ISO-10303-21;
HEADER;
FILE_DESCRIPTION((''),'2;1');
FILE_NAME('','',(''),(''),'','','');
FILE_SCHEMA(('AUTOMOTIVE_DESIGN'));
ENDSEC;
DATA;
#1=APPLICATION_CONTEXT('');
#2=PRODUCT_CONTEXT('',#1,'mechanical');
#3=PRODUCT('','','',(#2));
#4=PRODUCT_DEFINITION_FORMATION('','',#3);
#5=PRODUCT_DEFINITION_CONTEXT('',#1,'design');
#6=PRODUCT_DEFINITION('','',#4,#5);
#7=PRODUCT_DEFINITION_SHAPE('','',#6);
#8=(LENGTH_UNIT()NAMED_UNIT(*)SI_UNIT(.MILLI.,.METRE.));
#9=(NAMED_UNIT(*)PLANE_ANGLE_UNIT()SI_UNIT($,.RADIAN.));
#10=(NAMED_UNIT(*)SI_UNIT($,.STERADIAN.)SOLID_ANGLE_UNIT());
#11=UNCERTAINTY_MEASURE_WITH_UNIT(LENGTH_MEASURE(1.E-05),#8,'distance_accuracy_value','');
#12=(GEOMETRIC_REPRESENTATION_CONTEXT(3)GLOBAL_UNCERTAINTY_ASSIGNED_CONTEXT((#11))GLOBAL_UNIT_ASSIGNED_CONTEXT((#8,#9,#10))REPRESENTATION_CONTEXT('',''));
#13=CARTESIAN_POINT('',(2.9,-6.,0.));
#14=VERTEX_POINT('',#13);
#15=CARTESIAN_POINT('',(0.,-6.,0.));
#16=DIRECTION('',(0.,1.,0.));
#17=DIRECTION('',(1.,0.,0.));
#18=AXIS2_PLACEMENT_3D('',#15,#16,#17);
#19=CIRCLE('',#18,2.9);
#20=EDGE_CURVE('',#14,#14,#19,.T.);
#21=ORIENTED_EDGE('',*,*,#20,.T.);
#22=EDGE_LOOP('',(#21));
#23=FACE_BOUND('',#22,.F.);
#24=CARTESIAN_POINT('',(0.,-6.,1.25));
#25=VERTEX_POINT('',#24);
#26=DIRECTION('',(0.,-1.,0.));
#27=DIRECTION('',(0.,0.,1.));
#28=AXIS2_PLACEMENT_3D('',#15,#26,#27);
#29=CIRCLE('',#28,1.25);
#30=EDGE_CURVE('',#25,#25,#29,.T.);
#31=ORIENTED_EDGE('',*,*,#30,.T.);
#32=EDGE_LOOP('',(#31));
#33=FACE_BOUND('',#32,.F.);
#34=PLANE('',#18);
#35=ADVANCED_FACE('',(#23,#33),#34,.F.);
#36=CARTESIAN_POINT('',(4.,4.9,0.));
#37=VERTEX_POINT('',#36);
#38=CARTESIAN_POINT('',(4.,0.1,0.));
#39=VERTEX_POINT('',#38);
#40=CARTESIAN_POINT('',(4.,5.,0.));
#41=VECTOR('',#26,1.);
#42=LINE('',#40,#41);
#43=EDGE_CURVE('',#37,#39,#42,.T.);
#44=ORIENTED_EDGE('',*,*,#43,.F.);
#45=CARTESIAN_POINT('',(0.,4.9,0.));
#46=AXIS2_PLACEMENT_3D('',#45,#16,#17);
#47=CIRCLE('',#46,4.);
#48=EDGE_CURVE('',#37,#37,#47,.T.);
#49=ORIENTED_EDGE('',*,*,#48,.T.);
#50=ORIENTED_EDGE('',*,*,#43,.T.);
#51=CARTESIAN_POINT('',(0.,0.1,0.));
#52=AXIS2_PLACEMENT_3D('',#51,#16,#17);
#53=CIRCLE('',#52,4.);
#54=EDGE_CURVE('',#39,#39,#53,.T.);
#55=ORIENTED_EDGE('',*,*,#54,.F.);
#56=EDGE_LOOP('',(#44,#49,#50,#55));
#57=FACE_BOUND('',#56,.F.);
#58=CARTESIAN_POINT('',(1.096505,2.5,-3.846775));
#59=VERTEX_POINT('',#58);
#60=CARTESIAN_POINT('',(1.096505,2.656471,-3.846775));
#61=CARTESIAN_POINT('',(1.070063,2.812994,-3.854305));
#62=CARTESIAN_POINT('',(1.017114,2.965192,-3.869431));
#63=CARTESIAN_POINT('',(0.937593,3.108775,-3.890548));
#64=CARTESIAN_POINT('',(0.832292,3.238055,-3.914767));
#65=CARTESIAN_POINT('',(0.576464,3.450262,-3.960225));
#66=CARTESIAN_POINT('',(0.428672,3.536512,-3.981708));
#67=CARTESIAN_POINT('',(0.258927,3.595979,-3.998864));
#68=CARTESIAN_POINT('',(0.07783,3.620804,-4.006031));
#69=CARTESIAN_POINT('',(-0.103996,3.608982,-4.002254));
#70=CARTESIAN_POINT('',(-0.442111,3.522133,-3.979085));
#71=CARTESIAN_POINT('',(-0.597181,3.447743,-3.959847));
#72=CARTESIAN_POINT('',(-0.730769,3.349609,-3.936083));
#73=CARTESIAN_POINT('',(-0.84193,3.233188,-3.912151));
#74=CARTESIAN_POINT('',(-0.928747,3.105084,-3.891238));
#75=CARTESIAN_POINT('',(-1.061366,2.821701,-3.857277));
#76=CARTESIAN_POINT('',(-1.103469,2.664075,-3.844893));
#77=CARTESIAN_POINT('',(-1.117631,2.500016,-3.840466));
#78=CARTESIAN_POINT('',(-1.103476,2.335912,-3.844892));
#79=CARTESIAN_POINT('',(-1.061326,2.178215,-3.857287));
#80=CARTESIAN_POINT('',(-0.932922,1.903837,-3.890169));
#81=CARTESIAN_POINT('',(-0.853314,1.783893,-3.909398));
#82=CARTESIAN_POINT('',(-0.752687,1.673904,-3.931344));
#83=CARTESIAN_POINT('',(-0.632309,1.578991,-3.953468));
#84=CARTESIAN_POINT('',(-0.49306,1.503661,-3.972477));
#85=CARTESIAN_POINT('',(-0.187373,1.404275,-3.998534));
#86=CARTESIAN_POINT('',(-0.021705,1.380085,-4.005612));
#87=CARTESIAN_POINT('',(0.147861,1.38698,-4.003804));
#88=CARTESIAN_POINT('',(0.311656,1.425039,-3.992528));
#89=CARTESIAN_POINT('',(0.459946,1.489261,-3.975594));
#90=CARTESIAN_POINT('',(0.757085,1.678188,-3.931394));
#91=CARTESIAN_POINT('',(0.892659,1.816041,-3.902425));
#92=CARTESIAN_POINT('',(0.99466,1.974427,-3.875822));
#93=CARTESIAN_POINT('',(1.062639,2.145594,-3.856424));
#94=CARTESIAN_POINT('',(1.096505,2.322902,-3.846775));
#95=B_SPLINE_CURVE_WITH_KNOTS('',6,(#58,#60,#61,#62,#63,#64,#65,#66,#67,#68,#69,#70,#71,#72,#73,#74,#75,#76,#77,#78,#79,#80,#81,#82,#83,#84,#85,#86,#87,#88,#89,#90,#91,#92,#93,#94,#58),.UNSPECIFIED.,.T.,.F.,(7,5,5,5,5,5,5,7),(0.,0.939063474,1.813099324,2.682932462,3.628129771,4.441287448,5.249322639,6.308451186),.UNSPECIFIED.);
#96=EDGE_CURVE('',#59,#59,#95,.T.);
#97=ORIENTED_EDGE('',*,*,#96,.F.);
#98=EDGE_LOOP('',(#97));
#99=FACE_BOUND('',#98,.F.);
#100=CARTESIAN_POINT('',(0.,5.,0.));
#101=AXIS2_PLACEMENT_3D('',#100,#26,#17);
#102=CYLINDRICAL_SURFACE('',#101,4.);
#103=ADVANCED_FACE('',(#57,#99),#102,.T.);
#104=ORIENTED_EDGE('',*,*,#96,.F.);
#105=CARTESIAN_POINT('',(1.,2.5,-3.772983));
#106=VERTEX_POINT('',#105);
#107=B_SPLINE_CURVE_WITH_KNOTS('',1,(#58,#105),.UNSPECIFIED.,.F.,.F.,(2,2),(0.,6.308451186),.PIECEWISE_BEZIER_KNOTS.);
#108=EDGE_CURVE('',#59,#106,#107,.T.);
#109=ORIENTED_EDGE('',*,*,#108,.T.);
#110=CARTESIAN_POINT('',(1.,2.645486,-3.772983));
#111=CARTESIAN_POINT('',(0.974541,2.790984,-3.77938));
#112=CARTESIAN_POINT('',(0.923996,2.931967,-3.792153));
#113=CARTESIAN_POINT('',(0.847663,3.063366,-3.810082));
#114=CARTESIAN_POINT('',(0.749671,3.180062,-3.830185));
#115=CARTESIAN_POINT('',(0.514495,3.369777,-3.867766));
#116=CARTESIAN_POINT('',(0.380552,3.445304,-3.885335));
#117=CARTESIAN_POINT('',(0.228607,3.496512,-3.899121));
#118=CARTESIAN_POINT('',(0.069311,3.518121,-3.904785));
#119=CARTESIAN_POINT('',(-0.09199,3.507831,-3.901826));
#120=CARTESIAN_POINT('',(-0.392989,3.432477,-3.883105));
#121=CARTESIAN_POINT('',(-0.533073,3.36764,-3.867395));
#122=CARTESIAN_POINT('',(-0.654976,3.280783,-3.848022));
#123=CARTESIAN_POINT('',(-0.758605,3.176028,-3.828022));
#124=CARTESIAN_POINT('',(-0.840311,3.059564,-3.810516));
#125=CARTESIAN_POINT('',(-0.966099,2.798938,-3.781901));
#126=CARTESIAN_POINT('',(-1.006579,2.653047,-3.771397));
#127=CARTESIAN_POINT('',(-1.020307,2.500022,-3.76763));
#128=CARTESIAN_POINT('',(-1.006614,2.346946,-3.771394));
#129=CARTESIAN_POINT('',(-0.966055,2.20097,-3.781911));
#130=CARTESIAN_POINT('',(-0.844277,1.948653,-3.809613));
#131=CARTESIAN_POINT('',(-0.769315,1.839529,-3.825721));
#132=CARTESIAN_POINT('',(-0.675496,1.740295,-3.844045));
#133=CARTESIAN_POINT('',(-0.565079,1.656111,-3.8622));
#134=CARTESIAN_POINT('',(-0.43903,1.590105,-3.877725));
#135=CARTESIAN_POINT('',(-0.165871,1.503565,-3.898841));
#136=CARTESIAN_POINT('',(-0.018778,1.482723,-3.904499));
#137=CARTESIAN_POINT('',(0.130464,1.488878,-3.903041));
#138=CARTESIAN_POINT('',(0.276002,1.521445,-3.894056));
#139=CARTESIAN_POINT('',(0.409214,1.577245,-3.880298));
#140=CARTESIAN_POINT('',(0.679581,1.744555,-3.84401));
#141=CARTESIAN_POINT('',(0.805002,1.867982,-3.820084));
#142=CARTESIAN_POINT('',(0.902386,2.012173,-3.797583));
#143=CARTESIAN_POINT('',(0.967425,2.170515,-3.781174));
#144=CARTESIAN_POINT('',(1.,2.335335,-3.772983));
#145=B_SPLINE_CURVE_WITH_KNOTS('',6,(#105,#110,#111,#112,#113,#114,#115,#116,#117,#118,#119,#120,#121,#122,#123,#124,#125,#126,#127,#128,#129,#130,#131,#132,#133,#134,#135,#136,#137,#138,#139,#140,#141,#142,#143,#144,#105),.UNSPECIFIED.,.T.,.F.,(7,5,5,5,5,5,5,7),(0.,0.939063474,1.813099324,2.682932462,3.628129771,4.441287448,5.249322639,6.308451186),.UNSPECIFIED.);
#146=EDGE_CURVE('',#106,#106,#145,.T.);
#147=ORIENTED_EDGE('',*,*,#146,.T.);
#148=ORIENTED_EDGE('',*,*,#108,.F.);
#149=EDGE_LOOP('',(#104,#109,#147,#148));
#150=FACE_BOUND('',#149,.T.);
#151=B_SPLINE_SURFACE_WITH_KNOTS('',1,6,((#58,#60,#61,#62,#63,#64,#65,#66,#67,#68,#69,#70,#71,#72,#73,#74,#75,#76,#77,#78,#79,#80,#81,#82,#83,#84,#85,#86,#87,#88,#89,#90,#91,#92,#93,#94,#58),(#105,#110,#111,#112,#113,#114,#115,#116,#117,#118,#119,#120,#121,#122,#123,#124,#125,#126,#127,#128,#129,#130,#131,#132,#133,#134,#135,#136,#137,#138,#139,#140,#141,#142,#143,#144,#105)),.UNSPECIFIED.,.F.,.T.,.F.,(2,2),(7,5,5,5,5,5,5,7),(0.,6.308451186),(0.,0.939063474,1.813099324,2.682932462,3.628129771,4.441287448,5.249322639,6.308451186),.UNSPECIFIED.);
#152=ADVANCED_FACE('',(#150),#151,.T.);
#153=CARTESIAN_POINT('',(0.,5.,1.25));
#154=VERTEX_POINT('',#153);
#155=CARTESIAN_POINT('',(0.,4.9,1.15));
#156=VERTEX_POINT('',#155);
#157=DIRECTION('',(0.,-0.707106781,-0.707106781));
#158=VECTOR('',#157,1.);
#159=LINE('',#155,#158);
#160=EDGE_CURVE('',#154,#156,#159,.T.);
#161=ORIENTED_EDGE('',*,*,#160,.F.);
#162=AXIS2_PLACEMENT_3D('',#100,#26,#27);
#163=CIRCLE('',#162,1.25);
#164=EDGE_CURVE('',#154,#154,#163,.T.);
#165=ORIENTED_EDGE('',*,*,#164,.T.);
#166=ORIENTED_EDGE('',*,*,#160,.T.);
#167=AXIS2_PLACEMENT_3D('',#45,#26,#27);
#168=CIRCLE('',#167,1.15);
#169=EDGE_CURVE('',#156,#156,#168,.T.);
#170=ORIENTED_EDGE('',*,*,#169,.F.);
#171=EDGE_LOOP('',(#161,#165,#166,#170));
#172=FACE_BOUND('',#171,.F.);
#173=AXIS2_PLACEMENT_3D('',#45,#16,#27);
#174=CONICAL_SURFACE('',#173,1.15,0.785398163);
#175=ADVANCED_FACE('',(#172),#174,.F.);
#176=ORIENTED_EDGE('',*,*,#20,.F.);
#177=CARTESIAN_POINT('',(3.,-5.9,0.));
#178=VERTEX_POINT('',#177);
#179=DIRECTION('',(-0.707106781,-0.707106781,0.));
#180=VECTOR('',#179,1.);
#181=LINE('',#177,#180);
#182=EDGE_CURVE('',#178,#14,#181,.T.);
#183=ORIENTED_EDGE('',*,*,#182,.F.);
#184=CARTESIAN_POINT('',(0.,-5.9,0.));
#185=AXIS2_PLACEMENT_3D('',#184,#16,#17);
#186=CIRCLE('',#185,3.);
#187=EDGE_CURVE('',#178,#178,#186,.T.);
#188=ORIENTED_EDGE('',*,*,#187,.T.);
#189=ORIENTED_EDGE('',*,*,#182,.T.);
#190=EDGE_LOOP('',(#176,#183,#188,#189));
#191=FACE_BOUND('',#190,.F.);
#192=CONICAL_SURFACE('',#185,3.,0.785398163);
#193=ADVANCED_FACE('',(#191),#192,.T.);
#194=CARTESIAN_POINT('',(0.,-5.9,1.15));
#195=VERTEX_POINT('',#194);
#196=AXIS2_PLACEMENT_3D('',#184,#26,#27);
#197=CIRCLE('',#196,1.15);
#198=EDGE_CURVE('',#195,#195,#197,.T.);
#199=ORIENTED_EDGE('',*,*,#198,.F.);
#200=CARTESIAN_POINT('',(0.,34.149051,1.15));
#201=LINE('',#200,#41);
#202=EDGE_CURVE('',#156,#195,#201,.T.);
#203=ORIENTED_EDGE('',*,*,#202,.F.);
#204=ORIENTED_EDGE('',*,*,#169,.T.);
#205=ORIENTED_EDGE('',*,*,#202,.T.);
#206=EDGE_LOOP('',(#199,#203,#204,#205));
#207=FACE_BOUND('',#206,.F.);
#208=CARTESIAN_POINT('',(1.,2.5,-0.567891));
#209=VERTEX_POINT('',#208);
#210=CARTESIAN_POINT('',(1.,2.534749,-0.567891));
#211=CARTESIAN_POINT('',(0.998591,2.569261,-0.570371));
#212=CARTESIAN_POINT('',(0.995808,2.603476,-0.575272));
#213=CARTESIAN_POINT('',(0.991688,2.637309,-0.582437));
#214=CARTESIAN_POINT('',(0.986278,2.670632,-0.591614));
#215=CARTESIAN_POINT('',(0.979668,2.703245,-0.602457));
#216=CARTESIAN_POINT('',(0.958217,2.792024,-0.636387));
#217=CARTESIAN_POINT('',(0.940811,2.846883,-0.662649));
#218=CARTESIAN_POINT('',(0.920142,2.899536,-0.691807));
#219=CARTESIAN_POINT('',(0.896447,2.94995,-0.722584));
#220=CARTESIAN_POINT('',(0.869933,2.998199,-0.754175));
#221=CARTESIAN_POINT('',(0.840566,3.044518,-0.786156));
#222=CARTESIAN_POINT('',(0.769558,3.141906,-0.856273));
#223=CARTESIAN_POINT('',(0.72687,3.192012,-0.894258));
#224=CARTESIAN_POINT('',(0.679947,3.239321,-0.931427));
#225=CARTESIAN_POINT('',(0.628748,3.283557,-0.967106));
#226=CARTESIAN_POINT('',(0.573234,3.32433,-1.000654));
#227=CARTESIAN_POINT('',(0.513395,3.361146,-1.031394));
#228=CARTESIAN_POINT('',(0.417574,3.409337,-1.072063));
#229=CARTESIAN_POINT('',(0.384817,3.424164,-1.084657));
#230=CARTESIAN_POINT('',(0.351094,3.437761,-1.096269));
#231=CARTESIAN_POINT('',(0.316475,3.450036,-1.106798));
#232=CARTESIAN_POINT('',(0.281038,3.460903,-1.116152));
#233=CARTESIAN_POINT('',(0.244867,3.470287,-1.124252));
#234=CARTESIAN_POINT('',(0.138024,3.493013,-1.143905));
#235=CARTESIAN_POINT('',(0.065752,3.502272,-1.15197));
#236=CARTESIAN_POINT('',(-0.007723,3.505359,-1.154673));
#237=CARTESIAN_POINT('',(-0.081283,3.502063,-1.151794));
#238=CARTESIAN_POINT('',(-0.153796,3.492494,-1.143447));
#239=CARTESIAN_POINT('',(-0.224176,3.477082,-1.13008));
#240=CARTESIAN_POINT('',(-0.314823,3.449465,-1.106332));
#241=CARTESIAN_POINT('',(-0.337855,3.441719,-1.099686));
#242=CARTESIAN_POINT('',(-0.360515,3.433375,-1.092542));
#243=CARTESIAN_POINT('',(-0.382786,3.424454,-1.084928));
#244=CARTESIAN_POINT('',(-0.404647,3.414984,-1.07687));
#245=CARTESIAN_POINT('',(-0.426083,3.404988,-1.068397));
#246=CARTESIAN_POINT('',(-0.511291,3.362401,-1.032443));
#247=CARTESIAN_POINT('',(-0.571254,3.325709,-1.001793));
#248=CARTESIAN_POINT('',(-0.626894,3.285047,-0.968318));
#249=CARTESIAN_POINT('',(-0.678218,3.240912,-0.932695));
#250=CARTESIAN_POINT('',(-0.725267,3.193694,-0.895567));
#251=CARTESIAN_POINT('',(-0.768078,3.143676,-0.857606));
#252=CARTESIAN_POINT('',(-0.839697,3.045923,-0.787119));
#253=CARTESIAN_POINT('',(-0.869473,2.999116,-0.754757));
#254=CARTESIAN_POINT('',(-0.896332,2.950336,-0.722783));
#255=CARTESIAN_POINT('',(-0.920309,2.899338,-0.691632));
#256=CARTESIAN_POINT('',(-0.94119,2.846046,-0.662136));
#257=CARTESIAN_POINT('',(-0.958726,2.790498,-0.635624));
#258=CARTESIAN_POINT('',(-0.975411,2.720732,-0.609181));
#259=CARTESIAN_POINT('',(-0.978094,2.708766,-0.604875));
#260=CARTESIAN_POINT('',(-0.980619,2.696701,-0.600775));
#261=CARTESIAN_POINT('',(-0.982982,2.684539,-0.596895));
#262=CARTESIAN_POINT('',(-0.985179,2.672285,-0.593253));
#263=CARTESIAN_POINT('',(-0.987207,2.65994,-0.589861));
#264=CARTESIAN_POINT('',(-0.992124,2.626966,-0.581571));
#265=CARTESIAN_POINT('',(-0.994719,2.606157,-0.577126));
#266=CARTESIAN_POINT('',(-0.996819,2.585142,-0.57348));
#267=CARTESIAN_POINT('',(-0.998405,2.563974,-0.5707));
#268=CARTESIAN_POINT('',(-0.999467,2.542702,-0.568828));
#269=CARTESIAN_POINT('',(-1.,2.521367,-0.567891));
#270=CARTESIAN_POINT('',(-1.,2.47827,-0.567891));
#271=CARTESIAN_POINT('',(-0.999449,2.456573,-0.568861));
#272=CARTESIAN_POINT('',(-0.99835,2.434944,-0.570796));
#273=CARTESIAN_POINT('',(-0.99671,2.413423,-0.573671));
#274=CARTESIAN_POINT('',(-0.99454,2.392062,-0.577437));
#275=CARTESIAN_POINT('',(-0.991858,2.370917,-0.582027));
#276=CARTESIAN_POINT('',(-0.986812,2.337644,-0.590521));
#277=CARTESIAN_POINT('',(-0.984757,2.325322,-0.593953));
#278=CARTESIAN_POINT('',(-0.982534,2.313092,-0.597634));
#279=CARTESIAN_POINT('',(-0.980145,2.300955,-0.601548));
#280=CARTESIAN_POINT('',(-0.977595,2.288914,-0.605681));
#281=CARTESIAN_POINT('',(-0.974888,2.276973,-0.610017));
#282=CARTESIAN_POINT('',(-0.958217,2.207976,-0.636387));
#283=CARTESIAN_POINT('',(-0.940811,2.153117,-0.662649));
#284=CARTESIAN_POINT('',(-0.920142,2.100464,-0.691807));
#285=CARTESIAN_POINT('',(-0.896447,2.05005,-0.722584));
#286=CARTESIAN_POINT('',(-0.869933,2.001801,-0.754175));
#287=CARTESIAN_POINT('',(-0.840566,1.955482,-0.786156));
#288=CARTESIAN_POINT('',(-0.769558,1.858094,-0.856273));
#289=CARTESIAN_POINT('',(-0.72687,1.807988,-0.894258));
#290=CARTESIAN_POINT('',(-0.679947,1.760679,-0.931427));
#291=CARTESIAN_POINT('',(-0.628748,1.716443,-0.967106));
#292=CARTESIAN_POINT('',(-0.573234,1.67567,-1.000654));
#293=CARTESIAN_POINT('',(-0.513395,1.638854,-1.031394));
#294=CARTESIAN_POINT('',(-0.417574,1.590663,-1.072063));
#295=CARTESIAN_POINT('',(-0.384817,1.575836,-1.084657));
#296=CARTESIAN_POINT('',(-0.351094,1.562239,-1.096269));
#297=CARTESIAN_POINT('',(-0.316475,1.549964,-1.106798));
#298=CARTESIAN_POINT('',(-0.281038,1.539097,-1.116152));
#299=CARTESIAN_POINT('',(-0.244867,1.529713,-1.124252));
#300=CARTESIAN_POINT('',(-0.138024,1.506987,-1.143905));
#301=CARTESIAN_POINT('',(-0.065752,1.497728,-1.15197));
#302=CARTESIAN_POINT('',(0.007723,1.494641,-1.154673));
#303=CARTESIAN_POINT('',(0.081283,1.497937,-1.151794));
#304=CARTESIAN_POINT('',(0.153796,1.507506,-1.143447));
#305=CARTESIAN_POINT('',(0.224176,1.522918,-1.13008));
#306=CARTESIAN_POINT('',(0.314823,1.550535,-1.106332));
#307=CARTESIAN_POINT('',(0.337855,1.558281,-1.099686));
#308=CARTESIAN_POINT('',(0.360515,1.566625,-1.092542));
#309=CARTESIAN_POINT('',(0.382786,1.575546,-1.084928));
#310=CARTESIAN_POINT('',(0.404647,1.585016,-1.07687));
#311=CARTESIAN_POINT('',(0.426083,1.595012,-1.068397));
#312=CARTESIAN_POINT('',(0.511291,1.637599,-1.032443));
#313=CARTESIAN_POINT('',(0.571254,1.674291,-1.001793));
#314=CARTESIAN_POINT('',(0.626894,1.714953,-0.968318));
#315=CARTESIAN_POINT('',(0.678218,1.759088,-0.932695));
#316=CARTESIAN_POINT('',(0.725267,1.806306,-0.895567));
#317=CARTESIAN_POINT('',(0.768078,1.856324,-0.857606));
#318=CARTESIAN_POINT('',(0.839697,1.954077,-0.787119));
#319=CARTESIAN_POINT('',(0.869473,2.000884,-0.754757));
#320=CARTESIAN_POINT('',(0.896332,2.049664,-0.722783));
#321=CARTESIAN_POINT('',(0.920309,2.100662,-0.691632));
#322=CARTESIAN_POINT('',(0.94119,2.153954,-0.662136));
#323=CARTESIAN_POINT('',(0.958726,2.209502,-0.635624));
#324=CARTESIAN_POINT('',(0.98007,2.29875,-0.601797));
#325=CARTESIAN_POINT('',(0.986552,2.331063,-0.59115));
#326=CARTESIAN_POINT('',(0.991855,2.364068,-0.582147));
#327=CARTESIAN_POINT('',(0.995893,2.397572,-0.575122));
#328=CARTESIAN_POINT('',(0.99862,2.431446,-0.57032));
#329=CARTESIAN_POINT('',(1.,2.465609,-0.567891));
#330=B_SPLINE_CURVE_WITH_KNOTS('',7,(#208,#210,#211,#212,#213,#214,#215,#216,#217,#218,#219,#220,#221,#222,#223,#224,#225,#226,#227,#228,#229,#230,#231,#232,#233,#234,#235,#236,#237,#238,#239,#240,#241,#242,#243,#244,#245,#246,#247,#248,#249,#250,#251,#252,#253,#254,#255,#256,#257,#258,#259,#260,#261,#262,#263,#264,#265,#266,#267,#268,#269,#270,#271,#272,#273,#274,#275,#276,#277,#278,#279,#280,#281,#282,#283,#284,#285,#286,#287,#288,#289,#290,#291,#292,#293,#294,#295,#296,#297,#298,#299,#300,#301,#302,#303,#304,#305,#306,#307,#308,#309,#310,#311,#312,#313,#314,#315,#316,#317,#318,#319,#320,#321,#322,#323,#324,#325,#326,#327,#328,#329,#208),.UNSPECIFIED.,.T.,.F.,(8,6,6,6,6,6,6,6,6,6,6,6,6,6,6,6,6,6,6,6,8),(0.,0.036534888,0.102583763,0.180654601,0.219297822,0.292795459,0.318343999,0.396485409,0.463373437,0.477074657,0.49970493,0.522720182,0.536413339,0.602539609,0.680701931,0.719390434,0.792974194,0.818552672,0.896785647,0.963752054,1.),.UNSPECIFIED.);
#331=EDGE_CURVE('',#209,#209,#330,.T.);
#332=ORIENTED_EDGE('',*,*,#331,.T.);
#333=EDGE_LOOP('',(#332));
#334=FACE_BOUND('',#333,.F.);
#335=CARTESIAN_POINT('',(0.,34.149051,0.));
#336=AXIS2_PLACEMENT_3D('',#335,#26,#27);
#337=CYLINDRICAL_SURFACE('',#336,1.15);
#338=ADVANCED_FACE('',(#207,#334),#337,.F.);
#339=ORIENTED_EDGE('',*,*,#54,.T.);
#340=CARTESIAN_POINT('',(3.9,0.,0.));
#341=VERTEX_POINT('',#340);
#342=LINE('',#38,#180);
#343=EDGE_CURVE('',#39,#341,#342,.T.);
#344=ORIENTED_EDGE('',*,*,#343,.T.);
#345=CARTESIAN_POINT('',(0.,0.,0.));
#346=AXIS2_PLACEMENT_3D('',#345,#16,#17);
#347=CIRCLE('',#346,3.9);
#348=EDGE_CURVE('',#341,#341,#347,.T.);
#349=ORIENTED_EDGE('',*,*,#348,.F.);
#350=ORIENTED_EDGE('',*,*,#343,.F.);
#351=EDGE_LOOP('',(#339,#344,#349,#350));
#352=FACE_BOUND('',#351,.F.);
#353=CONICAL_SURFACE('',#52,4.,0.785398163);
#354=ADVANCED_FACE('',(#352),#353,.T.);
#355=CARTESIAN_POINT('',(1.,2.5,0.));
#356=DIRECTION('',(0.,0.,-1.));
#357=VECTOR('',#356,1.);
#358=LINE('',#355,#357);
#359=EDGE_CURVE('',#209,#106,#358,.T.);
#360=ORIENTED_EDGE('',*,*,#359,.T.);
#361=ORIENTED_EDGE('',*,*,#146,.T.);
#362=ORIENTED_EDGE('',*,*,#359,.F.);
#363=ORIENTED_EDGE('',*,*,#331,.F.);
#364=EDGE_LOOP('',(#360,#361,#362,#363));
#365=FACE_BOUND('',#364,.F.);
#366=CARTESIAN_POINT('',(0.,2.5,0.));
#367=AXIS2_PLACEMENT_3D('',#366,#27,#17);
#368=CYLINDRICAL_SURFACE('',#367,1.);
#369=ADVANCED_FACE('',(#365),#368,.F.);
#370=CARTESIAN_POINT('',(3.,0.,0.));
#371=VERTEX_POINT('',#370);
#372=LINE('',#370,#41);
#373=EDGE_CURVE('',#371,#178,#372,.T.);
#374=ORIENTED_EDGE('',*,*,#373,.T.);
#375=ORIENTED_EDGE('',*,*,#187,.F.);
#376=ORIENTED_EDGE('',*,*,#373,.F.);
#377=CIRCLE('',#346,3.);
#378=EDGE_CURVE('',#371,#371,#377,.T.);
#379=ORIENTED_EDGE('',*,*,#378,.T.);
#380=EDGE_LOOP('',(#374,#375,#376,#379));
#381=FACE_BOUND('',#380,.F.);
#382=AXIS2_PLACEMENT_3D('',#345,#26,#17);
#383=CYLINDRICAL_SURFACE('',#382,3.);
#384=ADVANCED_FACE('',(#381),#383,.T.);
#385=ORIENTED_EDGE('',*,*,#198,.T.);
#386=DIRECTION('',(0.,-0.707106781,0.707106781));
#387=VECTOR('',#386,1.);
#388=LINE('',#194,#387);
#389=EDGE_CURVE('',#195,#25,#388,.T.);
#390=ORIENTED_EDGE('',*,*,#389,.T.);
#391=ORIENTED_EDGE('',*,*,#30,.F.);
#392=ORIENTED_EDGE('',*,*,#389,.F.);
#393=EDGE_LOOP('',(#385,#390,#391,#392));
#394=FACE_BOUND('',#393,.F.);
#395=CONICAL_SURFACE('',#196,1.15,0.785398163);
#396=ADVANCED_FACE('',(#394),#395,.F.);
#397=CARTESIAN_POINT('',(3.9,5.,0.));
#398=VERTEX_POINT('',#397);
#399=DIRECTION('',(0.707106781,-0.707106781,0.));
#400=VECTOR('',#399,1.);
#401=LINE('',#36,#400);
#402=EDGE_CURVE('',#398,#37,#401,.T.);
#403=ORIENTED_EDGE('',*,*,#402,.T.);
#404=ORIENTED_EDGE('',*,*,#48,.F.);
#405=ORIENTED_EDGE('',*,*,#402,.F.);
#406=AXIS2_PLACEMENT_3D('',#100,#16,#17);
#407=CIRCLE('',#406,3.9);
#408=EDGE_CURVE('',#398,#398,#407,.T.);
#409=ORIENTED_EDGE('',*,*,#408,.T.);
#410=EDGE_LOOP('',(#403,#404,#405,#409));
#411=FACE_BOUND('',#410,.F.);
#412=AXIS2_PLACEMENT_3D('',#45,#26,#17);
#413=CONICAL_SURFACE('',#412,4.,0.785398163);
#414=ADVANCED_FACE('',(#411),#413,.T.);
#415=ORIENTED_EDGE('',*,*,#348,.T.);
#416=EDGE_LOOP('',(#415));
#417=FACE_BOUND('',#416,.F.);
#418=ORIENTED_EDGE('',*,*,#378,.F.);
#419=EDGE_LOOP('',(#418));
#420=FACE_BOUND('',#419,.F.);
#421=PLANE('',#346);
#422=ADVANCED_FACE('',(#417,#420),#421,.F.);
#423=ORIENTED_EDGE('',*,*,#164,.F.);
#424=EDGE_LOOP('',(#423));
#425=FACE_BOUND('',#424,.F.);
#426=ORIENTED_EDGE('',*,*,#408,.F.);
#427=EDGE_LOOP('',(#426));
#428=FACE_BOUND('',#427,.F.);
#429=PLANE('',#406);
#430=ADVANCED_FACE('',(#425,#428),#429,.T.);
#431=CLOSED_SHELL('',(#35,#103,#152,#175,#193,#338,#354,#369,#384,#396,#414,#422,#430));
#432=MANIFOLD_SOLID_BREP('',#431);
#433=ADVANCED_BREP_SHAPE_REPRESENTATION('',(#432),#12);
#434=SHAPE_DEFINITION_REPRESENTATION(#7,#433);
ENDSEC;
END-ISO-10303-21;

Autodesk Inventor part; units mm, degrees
ref_plane "YZ Plane" through (0, 0, 0) normal (1, 0, 0) x (0, 1, 0)
ref_plane "XZ Plane" through (0, 0, 0) normal (0, 1, 0) x (-1, 0, 0)
ref_plane "XY Plane" through (0, 0, 0) normal (0, 0, 1) x (1, 0, 0)
sketch "Skizze1" plane through (0, 0, 0) normal (0, 0, 1) x (1, 0, 0)
  line L0 (0, 5) -> (4, 5)
  line L1 (4, 5) -> (4, 0)
  line L2 (4, 0) -> (3, 0)
  line L3 (3, 0) -> (3, -6)
  line L4 (3, -6) -> (0, -6)
  line L5 (0, -6) -> (0, 5)
  point P0 (0, 0)
  dimension "d0" = 6
  dimension "d1" = 6
  dimension "d2" = 8
  dimension "d3" = 5
revolve "Umdrehung1" add sketch "Skizze1" angle 360 about axis through (0, -6, 0) along (0, 1, 0)
chamfer "Fase1" distance 0.1 angle 45 3 edges at (-4, 5, 0) (-3, -6, 0) (-4, 0, 0)
hole "Bohrung1" at (0, 5, 0) direction (0, -1, 0) diameter 2.3 end through all both
chamfer "Fase2" distance 0.1 angle 45 2 edges at (0, -6, -1.15) (0, 5, -1.15)
sketch "Skizze2" plane through (0, 0, 0) normal (0, 0, 1) x (1, 0, 0)
  circle A0 centre (0, 2.5) radius 1
  line L0 (1.25, 5) -> (-1.25, 5)
  line L1 (0, 7.2) -> (0, -8.2)
  point P0 (0, 0)
  dimension "d20" = 2
  dimension "d21" = 2.5
extrude "Extrusion1" cut sketch "Skizze2" against normal blind 10
chamfer "Fase3" distance 0.1 angle 45 1 edges at (-1, 2.5012, -3.873)
thread "Gewinde1"
properties part number "nabe" material "Aluminium 6061"
